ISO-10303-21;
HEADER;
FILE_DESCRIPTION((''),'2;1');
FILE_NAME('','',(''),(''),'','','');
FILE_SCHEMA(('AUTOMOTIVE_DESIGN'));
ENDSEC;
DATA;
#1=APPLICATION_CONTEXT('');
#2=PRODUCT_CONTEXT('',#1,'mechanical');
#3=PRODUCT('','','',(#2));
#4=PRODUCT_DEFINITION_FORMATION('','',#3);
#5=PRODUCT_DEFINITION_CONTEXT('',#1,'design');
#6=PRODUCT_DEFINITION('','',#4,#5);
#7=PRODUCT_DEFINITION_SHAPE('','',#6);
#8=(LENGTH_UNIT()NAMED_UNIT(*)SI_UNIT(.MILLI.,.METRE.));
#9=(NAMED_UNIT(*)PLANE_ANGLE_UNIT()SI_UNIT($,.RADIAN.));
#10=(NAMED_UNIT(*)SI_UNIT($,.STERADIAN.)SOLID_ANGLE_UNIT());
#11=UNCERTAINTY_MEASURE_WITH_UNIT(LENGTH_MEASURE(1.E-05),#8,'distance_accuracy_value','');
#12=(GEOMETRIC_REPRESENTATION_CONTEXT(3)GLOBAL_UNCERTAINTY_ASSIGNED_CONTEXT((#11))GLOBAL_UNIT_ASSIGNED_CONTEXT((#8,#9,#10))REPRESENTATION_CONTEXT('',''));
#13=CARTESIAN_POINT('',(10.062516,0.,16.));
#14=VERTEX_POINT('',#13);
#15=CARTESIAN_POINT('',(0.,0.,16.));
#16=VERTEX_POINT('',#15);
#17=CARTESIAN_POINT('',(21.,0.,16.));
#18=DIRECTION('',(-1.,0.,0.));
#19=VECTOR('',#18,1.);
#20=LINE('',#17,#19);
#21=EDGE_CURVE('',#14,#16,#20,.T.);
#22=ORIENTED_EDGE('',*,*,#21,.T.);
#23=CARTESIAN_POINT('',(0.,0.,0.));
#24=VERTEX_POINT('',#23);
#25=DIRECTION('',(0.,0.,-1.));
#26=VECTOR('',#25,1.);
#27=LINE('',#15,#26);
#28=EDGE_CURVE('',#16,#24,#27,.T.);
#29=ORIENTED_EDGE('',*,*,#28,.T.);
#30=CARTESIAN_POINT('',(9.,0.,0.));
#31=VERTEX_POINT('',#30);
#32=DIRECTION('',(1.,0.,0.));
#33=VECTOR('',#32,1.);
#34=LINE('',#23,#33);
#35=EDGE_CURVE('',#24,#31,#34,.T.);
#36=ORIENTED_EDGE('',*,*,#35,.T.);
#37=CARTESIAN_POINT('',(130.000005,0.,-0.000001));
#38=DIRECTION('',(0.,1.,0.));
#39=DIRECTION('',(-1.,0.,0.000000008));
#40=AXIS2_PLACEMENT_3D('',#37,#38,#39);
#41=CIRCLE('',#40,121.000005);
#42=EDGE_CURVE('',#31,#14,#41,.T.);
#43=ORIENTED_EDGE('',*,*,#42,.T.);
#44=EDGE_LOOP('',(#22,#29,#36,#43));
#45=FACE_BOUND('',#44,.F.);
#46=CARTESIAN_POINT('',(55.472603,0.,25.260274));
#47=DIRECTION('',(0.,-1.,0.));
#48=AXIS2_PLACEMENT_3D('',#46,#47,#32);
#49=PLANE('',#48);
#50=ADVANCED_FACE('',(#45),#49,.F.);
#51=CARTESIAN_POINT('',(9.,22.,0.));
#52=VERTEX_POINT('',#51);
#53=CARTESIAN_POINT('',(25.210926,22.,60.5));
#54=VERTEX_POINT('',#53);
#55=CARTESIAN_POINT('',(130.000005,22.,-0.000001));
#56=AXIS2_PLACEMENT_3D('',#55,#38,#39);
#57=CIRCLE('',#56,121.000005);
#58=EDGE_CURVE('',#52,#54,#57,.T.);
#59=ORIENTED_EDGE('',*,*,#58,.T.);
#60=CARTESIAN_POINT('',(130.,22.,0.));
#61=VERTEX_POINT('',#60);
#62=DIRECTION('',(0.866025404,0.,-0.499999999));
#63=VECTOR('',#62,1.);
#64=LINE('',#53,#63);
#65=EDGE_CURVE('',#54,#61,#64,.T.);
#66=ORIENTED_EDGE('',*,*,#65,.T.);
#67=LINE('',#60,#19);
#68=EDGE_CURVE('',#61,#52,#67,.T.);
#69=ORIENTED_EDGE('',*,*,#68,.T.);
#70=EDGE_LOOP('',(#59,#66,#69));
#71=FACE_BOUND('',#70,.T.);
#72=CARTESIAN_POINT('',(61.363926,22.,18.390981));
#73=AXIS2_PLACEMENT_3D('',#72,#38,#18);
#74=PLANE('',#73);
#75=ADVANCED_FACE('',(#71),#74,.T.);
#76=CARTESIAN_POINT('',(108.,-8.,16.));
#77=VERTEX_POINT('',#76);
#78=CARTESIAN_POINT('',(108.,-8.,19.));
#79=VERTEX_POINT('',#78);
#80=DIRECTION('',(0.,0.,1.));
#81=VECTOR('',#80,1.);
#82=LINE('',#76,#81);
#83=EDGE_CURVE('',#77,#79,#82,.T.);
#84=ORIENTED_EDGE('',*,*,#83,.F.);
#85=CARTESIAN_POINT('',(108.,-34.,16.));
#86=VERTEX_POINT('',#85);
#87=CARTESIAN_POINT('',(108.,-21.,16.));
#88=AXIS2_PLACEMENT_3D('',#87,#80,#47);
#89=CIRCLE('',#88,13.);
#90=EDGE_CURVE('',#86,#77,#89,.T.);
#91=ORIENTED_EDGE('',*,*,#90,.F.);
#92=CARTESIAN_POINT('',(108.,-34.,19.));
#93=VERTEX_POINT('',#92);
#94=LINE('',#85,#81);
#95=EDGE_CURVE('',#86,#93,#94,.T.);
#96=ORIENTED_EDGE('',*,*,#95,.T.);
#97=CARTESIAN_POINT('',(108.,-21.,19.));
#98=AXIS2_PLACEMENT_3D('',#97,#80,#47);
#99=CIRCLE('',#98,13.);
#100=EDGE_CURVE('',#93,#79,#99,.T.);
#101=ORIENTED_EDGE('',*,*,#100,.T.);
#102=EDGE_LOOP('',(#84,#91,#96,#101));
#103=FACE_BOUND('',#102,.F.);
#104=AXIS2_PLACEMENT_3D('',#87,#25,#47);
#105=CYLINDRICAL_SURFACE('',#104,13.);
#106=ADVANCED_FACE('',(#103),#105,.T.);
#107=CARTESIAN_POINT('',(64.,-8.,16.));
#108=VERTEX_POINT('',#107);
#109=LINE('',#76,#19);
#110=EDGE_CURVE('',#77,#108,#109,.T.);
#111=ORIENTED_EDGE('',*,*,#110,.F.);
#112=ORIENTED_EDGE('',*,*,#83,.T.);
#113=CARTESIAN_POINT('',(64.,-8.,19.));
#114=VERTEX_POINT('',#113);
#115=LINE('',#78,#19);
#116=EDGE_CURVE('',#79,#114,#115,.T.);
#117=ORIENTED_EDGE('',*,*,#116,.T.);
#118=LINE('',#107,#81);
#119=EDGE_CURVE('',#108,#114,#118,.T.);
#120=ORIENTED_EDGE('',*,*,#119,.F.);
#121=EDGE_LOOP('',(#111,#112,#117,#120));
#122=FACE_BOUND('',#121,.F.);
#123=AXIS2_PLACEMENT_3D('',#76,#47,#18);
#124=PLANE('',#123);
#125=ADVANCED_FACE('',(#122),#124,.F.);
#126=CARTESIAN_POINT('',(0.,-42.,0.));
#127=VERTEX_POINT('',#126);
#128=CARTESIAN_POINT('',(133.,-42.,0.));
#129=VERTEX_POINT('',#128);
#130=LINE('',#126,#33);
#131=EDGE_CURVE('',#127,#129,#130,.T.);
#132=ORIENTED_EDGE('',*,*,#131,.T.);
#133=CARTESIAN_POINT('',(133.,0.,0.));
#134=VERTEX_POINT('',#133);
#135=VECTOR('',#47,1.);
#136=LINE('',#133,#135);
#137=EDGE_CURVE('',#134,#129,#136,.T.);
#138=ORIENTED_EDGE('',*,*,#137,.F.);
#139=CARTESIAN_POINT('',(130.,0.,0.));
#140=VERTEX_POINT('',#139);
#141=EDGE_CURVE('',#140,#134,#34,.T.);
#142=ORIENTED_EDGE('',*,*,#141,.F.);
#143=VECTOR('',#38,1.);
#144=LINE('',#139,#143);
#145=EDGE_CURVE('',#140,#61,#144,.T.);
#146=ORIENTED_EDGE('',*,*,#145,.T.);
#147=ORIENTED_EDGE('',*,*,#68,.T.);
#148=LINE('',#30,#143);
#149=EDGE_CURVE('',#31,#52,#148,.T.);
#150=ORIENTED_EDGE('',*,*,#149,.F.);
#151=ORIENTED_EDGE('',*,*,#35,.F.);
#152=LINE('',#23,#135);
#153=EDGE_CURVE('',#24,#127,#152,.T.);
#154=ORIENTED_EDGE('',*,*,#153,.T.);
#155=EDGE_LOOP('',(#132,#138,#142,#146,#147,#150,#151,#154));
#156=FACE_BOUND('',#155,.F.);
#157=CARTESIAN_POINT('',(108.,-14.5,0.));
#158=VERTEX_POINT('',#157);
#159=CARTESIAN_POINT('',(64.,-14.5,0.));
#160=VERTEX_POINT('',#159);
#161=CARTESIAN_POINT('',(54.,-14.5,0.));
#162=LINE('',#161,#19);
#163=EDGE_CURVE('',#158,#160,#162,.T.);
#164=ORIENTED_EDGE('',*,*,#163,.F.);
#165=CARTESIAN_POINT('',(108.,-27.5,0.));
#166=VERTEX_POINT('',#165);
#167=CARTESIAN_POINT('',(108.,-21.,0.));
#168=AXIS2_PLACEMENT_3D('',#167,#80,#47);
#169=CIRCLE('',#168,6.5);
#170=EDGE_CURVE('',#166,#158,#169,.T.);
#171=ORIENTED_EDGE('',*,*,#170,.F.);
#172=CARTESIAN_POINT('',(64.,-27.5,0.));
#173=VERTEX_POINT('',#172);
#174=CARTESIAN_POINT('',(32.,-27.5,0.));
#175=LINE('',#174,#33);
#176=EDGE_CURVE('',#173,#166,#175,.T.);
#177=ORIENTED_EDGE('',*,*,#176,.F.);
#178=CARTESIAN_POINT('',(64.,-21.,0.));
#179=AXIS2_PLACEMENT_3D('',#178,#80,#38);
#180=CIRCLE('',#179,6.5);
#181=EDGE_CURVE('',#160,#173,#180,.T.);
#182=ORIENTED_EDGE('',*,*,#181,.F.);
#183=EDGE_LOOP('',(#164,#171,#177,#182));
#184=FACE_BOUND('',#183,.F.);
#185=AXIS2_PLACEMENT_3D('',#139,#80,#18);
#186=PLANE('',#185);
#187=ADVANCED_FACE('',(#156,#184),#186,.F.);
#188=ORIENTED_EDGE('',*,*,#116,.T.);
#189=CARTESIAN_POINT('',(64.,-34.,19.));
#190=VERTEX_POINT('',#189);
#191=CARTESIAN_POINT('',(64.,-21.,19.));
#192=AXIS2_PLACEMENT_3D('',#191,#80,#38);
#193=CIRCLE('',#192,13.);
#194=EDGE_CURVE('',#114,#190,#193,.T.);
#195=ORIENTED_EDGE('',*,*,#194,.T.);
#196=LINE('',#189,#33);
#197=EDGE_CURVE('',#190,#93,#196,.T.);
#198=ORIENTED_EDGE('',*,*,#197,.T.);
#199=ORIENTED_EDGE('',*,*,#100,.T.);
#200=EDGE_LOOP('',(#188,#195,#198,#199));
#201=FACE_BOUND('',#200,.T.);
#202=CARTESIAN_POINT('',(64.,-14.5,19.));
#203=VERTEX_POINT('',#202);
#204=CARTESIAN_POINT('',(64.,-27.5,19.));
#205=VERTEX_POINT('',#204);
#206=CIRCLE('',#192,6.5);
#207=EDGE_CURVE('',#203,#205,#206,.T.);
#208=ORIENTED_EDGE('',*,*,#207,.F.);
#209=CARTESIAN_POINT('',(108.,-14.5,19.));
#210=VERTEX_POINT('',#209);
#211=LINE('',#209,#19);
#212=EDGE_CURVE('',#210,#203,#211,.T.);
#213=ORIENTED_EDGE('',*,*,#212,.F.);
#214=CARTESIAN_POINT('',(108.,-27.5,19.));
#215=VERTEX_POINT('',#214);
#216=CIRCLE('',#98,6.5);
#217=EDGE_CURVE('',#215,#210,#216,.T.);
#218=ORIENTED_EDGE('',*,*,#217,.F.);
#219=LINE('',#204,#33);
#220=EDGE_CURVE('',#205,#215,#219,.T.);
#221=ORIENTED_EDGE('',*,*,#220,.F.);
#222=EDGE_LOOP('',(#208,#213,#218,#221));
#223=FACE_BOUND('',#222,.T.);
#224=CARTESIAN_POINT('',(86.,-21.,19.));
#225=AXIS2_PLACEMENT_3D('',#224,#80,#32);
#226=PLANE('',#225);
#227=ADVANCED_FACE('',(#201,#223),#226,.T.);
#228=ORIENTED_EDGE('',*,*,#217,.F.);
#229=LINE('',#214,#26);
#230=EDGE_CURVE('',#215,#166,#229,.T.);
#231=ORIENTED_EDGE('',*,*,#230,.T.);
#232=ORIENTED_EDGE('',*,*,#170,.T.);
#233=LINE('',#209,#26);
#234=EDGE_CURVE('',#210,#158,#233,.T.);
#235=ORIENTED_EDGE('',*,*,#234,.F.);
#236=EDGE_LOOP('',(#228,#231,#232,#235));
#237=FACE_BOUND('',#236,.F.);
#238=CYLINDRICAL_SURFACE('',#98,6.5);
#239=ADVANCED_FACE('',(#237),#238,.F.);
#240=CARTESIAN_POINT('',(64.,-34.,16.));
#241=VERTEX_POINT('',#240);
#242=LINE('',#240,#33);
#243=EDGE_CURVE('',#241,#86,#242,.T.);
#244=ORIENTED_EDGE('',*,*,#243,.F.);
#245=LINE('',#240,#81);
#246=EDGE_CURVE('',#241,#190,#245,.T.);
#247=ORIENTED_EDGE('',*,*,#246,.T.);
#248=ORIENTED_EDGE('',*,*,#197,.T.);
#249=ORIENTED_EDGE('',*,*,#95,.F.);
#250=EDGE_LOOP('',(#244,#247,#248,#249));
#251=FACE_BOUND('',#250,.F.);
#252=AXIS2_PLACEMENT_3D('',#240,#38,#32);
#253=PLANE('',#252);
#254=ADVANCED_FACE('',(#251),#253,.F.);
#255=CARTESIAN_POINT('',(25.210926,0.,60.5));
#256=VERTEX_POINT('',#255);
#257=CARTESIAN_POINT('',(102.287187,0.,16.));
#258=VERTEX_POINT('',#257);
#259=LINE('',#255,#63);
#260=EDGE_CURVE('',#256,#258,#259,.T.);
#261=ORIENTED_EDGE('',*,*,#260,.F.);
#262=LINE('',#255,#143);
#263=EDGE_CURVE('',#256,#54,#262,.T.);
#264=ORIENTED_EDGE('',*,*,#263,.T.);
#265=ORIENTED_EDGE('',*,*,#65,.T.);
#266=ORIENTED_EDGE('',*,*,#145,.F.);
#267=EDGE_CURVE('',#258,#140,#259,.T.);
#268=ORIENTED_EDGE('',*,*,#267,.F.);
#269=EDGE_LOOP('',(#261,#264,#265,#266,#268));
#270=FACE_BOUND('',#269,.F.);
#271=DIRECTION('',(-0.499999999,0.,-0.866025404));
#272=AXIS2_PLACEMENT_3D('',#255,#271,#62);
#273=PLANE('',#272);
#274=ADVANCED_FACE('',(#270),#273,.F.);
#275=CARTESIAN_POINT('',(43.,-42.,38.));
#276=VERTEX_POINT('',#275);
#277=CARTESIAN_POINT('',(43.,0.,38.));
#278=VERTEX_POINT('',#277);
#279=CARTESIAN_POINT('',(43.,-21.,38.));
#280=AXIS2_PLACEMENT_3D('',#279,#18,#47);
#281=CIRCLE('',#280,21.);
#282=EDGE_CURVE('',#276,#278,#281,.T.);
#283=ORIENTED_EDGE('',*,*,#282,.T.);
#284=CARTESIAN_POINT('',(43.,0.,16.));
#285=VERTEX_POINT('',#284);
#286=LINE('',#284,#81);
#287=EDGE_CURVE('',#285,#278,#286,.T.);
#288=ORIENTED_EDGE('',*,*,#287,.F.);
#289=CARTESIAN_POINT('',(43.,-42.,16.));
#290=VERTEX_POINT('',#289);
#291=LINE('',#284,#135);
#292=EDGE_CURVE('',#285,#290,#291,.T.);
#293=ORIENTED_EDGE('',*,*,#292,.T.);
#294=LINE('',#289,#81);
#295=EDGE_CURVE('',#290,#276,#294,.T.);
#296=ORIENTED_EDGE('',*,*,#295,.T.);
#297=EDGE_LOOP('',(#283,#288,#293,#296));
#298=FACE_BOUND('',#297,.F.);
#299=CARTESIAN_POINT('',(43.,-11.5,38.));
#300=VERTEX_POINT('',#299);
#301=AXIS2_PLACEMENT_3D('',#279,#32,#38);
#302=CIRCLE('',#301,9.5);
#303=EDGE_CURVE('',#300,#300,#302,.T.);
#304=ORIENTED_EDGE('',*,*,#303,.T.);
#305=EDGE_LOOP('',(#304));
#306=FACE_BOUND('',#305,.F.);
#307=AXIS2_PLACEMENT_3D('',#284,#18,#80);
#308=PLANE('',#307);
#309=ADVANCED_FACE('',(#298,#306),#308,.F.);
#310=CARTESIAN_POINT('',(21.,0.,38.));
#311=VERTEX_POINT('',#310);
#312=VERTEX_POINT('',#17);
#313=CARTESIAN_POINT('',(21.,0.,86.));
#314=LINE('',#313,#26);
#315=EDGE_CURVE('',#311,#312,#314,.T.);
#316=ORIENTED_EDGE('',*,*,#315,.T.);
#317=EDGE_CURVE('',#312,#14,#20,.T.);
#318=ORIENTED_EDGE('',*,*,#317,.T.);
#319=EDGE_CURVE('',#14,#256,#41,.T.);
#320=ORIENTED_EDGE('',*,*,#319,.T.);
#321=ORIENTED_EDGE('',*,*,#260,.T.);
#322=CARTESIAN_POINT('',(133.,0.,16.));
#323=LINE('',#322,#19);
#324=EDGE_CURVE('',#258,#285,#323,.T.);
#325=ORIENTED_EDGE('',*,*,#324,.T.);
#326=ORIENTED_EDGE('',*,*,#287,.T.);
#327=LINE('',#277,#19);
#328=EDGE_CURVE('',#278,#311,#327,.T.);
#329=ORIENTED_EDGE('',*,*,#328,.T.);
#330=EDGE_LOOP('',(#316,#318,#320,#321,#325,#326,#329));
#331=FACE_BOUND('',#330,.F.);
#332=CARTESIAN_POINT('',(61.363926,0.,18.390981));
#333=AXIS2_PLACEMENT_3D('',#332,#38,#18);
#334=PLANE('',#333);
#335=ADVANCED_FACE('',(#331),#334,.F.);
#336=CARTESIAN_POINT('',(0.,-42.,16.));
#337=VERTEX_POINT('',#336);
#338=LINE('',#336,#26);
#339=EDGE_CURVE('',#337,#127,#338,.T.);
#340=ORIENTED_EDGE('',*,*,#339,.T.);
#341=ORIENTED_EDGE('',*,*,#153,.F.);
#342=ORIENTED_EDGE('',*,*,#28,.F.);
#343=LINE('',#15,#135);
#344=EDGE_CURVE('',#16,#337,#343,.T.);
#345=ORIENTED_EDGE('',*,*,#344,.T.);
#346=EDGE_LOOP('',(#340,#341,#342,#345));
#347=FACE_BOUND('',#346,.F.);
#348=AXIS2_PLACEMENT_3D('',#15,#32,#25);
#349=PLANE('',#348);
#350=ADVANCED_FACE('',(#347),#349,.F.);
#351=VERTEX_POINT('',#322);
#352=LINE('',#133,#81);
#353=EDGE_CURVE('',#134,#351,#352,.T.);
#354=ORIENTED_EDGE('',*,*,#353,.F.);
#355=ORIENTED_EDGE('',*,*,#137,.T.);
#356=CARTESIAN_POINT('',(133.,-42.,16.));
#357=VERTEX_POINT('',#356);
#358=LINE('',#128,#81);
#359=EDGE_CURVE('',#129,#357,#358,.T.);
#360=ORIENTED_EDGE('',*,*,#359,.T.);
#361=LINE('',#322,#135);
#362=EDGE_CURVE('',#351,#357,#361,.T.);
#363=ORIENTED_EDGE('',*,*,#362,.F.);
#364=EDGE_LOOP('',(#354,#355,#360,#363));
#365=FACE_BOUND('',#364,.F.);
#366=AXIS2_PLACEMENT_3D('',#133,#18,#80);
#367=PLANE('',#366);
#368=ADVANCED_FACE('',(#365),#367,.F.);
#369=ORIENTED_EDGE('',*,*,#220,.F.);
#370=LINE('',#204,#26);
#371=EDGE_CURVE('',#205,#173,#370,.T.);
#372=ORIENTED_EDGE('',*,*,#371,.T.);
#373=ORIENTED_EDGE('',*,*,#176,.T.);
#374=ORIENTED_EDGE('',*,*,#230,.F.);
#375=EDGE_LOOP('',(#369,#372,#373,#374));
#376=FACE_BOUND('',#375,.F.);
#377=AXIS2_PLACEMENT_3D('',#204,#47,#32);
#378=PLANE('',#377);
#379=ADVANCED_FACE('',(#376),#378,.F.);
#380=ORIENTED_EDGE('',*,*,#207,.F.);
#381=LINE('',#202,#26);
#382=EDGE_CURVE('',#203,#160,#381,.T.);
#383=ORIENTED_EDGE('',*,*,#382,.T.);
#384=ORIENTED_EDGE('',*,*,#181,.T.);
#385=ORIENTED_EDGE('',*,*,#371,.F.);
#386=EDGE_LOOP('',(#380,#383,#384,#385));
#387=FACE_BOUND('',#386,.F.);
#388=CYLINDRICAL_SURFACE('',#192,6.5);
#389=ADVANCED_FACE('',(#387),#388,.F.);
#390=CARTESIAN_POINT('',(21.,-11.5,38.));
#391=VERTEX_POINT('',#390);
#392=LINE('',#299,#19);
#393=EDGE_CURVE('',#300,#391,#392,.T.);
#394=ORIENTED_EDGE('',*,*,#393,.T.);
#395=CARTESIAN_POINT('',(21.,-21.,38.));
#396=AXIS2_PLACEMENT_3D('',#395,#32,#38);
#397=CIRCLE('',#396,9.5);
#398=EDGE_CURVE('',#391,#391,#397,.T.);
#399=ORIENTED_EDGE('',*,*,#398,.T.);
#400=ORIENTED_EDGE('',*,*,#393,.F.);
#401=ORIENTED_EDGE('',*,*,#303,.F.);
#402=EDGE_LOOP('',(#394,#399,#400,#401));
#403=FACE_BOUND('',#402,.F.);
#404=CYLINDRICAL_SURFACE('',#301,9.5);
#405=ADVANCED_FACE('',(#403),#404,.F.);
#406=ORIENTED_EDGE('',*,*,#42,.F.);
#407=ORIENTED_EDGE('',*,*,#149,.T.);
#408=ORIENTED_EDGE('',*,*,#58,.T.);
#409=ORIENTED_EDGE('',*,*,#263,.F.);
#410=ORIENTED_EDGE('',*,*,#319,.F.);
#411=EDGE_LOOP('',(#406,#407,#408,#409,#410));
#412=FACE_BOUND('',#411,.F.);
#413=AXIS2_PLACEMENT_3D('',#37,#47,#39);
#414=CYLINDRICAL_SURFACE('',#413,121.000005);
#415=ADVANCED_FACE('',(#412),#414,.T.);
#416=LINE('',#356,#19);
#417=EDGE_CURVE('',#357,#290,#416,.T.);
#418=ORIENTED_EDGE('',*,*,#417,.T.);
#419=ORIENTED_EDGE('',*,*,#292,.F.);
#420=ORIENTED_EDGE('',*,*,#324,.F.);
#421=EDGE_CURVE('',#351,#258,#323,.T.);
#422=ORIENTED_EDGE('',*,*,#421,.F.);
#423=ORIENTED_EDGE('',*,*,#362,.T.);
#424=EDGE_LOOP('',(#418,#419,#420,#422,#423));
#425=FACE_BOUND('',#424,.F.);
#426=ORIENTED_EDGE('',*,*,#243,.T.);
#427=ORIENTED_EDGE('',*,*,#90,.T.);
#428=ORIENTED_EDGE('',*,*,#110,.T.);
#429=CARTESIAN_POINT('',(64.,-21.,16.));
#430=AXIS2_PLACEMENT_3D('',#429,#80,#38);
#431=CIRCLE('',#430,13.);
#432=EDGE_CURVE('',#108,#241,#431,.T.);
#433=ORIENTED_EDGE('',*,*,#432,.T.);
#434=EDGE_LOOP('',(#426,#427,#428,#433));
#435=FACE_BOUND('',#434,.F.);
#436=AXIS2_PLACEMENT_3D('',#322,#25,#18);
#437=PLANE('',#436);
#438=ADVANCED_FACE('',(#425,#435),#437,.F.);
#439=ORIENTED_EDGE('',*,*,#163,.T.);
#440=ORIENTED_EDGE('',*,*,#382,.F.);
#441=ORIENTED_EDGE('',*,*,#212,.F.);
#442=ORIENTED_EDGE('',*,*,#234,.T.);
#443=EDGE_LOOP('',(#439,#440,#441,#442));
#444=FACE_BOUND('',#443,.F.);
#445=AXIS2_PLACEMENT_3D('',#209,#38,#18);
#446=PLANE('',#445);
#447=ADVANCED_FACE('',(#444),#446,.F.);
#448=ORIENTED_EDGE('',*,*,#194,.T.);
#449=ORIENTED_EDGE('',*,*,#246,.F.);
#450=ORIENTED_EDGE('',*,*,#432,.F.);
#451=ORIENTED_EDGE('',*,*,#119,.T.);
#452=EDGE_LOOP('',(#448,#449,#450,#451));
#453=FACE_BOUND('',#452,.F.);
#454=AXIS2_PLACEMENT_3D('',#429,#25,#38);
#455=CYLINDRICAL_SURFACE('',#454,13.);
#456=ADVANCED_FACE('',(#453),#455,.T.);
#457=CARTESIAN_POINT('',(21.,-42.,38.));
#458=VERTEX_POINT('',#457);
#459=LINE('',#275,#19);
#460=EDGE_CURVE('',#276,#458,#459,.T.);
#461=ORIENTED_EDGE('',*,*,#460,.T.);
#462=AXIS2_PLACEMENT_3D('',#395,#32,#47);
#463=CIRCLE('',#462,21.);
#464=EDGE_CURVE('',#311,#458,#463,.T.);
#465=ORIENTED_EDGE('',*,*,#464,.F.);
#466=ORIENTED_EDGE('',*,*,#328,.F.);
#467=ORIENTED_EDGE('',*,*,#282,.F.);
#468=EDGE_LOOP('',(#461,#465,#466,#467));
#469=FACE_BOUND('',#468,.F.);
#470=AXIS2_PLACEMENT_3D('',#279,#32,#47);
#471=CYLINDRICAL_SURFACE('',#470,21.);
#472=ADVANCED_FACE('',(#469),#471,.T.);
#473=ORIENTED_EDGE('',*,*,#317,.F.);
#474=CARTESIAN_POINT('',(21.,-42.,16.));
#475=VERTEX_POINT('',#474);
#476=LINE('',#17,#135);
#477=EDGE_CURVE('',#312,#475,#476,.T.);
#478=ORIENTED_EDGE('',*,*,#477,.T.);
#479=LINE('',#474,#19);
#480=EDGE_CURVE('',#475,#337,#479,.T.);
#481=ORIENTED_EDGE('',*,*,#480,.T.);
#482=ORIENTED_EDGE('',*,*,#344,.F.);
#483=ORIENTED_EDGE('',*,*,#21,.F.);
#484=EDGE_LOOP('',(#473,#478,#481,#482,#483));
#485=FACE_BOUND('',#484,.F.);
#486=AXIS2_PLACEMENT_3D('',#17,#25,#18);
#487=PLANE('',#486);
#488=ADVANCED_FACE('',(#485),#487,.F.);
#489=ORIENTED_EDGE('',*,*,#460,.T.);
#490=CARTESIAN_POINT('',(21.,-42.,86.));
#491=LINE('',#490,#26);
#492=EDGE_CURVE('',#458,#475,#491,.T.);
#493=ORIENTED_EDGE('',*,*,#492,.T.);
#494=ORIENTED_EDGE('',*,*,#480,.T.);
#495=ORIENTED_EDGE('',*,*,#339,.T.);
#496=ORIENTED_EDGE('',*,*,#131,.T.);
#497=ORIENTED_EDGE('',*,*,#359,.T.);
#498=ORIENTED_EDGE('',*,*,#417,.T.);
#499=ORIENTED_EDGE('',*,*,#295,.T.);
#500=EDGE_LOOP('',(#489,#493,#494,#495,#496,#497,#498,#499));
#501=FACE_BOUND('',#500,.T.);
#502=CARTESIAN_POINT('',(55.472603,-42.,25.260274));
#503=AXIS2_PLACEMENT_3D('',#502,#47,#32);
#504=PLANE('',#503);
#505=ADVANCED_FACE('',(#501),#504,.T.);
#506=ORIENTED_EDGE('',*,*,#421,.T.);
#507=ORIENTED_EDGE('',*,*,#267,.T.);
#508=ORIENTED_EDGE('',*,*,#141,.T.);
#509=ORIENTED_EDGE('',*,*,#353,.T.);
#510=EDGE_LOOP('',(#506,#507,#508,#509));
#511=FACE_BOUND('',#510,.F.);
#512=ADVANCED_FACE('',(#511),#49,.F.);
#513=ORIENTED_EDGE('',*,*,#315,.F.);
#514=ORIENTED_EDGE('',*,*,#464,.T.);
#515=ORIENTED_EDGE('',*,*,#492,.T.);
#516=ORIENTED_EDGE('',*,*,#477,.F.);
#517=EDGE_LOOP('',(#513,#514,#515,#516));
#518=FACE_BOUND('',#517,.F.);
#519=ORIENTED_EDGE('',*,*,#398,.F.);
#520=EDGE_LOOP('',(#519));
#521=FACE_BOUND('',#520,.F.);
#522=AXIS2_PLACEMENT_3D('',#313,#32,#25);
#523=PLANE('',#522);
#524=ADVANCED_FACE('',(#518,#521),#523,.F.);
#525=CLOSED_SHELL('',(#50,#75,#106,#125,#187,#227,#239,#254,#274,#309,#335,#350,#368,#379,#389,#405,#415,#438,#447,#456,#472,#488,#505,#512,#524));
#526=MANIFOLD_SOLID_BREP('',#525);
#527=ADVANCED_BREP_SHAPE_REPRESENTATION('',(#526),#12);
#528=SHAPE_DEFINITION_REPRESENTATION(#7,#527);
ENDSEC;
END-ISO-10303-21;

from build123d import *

# Parameters (mm, degrees)
F1_DEPTH = 42
F2_R     = 9.5
F3_DEPTH = 43.001
F5_DEPTH = 3
F7_DEPTH = 19.001
F9_DEPTH = 22


with BuildPart() as f1:
    # F0 (on Front) → F1 (new body)
    with BuildSketch(Plane.XZ):
        Polygon((0, 16), (0, 0), (133, 0), (133, 16), (43, 16), (43, 86), (21, 86), (21, 16), align=None)
    extrude(amount=F1_DEPTH)

    # F2 (on face) → F3 (cut, through all)
    with BuildSketch(Plane.YZ.offset(43)):
        with Locations((-21, 38)):
            Circle(F2_R)
        with BuildLine():
            Line((-42, 86), (-42, 38))
            ThreePointArc((-42, 38), (-21, 59), (0, 38))
            Line((0, 38), (0, 86))
            Line((0, 86), (-42, 86))
        make_face()
    extrude(amount=-F3_DEPTH, mode=Mode.SUBTRACT)

    # F4 (on face) → F5 (join)
    with BuildSketch(Plane.XY.offset(16)):
        with BuildLine():
            Line((108, -8), (64, -8))
            ThreePointArc((64, -8), (51, -21), (64, -34))
            Line((64, -34), (108, -34))
            ThreePointArc((108, -34), (121, -21), (108, -8))
        make_face()
    extrude(amount=F5_DEPTH)

    # F6 (on face) → F7 (cut, through all)
    with BuildSketch(Plane.XY.offset(19)):
        with BuildLine():
            Line((108, -14.5), (64, -14.5))
            ThreePointArc((64, -14.5), (57.5, -21), (64, -27.5))
            Line((64, -27.5), (108, -27.5))
            ThreePointArc((108, -27.5), (114.5, -21), (108, -14.5))
        make_face()
    extrude(amount=-F7_DEPTH, mode=Mode.SUBTRACT)

    # F8 (on face) → F9 (join)
    with BuildSketch(Plane(origin=(0, 0, 0), x_dir=(-1, 0, 0), z_dir=(0, 1, 0))):
        with BuildLine():
            Line((-25.210926, 60.5), (-130, 0))
            Line((-130, 0), (-9, 0))
            ThreePointArc((-9, 0), (-13.122975, 31.317104), (-25.210926, 60.5))
        make_face()
    extrude(amount=F9_DEPTH)


solid = f1.part
